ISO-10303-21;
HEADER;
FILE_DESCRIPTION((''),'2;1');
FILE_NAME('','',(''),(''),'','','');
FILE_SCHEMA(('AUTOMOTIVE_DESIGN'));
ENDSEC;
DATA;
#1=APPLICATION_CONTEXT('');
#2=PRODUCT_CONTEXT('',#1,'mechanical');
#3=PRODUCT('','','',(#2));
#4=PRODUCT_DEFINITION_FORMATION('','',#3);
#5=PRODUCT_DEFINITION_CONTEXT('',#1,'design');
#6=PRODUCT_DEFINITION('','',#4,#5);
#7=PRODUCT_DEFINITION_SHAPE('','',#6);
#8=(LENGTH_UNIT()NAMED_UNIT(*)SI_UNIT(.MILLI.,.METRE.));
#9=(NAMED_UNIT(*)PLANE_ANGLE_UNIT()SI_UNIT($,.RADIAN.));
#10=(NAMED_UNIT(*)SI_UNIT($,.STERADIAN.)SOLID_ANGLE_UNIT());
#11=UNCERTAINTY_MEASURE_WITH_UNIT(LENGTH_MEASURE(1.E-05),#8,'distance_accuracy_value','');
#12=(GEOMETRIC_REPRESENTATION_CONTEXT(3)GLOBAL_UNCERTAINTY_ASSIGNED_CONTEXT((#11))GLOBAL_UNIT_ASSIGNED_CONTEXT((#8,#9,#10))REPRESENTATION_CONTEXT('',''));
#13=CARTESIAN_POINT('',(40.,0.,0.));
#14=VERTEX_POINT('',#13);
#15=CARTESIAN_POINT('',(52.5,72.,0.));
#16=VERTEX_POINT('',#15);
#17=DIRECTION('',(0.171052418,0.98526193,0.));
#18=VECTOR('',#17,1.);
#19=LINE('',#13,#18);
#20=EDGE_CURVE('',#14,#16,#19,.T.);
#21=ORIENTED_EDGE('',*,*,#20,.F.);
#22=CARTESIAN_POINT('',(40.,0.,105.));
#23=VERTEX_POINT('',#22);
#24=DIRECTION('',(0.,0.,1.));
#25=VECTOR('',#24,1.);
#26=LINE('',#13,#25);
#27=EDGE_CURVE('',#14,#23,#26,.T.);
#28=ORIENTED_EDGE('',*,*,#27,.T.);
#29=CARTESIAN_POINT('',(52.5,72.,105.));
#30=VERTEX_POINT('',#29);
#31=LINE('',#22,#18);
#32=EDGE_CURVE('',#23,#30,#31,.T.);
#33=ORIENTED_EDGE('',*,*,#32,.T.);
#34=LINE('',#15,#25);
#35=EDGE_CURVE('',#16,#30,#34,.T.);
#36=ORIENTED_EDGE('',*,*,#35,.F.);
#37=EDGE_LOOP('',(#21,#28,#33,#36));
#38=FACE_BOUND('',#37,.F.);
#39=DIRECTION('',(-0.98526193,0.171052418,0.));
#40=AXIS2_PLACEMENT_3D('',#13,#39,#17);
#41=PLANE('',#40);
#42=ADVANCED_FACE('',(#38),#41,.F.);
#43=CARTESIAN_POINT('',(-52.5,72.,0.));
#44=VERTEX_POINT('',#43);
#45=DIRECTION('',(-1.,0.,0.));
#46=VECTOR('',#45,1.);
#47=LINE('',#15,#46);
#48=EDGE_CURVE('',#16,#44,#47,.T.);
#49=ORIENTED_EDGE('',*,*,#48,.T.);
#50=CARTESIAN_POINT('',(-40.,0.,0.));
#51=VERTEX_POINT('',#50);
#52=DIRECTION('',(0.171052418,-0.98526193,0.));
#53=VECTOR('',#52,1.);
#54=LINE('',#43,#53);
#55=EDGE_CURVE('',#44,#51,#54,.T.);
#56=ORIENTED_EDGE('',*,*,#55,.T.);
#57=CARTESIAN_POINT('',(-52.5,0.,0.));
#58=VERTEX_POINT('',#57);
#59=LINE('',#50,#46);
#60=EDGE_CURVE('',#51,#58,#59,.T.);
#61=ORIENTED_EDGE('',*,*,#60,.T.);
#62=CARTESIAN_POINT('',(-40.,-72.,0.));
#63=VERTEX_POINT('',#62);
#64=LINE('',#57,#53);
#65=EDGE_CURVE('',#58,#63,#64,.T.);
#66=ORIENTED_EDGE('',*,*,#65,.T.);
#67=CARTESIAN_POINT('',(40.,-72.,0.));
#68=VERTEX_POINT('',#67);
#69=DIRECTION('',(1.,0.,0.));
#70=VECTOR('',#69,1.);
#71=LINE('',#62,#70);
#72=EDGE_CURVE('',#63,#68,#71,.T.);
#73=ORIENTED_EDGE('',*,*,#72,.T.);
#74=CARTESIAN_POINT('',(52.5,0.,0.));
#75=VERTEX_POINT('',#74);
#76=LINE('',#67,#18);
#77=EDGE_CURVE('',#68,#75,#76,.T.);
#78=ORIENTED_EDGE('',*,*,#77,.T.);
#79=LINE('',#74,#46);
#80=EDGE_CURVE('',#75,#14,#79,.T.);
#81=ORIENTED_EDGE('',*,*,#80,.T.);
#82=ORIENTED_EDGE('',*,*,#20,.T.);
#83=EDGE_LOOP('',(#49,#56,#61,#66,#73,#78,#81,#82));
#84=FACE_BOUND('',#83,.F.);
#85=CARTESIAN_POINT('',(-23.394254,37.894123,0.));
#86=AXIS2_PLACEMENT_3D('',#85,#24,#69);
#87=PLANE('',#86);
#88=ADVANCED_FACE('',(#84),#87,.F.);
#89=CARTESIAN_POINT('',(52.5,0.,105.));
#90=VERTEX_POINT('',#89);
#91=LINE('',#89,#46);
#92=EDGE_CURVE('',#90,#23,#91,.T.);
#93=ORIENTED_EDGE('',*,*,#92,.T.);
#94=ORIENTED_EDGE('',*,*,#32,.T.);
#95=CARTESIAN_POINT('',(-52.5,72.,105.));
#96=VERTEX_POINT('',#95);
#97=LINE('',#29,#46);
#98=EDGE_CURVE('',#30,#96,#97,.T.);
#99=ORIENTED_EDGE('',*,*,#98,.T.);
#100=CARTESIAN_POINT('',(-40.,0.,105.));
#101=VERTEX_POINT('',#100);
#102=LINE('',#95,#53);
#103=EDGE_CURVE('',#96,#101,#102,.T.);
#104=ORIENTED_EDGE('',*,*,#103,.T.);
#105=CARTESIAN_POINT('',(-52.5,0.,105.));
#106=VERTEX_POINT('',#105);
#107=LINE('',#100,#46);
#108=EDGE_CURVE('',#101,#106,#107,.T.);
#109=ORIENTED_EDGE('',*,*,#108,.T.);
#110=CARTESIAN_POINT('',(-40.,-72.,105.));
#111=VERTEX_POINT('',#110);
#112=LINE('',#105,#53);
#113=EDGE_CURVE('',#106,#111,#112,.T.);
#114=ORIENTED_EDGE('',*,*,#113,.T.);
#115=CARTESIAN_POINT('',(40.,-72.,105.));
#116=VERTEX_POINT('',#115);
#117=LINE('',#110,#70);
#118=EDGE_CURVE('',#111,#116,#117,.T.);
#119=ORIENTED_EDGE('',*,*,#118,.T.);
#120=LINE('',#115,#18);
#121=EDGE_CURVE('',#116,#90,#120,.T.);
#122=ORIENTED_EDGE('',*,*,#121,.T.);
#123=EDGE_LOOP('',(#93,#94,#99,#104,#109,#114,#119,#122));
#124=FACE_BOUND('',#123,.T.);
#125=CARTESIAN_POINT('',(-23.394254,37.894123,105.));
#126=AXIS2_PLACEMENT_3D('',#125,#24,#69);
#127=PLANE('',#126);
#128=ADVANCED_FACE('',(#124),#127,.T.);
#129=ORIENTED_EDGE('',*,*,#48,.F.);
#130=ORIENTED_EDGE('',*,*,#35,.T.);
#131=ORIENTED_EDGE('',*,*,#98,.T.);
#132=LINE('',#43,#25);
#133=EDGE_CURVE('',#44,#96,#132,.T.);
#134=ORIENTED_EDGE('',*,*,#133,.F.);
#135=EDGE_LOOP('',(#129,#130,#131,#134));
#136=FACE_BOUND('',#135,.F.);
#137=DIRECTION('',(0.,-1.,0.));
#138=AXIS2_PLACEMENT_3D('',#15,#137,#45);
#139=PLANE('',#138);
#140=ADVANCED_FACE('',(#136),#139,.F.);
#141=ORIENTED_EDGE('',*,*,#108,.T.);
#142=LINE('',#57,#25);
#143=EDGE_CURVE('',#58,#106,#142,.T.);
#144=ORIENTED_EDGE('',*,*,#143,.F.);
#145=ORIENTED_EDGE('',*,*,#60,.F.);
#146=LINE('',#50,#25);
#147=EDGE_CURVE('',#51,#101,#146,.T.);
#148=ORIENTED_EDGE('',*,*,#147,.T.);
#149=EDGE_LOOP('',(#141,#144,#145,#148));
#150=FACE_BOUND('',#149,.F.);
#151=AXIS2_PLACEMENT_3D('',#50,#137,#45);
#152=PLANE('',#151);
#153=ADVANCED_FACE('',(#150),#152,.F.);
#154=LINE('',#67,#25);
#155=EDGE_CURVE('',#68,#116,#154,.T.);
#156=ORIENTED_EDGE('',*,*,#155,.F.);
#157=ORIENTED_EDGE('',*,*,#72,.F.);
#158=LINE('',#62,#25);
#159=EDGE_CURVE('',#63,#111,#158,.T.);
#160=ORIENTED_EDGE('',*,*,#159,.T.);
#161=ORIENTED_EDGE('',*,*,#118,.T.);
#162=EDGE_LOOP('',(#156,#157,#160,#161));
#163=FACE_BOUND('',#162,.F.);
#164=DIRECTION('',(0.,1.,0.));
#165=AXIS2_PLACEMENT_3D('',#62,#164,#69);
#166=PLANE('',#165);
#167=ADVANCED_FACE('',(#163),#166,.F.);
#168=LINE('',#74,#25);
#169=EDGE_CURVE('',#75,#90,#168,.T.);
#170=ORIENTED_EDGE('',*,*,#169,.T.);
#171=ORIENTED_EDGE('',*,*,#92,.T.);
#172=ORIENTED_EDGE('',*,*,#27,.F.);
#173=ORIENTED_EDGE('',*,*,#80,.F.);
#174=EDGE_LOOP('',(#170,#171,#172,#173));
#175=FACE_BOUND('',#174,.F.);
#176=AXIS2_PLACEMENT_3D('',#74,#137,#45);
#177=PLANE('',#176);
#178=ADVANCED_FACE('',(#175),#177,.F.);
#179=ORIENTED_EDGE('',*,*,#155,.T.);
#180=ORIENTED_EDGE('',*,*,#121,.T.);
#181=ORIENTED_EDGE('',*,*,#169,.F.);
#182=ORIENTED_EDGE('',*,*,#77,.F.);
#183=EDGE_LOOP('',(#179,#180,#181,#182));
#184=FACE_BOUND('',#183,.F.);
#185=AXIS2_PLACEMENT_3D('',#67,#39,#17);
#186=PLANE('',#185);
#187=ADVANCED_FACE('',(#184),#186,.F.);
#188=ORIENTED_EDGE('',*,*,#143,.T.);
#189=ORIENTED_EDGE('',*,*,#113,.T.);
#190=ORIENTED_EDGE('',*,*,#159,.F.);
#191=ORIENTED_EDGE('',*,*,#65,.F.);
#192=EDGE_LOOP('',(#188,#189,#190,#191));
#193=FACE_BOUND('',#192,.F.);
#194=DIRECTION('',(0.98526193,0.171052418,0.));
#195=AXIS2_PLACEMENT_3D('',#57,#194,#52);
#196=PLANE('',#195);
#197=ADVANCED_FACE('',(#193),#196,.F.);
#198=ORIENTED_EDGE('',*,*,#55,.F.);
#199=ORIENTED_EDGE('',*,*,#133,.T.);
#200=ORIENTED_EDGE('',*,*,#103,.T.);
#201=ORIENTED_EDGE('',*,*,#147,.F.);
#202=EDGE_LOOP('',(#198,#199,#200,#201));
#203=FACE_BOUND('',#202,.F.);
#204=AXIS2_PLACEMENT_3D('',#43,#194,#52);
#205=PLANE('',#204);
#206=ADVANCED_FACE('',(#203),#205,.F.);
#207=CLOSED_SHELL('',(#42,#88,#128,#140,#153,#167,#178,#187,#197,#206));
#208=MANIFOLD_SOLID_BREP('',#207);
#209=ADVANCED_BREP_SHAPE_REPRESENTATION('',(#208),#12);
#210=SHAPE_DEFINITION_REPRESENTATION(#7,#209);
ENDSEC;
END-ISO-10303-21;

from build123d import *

# Parameters (mm, degrees)
F1_DEPTH = 105


with BuildPart() as f1:
    # F0 (on Top) → F1 (new body)
    with BuildSketch(Plane.XY):
        Polygon((-52.5, 72), (-40, 0), (0, 0), (0, 72), align=None)
        Polygon((0, 0), (-40, 0), (-52.5, 0), (-40, -72), (0, -72), align=None)
        Polygon((0, 72), (0, 0), (40, 0), (52.5, 72), align=None)
        Polygon((40, 0), (0, 0), (0, -72), (40, -72), (52.5, 0), align=None)
    extrude(amount=F1_DEPTH)


solid = f1.part
